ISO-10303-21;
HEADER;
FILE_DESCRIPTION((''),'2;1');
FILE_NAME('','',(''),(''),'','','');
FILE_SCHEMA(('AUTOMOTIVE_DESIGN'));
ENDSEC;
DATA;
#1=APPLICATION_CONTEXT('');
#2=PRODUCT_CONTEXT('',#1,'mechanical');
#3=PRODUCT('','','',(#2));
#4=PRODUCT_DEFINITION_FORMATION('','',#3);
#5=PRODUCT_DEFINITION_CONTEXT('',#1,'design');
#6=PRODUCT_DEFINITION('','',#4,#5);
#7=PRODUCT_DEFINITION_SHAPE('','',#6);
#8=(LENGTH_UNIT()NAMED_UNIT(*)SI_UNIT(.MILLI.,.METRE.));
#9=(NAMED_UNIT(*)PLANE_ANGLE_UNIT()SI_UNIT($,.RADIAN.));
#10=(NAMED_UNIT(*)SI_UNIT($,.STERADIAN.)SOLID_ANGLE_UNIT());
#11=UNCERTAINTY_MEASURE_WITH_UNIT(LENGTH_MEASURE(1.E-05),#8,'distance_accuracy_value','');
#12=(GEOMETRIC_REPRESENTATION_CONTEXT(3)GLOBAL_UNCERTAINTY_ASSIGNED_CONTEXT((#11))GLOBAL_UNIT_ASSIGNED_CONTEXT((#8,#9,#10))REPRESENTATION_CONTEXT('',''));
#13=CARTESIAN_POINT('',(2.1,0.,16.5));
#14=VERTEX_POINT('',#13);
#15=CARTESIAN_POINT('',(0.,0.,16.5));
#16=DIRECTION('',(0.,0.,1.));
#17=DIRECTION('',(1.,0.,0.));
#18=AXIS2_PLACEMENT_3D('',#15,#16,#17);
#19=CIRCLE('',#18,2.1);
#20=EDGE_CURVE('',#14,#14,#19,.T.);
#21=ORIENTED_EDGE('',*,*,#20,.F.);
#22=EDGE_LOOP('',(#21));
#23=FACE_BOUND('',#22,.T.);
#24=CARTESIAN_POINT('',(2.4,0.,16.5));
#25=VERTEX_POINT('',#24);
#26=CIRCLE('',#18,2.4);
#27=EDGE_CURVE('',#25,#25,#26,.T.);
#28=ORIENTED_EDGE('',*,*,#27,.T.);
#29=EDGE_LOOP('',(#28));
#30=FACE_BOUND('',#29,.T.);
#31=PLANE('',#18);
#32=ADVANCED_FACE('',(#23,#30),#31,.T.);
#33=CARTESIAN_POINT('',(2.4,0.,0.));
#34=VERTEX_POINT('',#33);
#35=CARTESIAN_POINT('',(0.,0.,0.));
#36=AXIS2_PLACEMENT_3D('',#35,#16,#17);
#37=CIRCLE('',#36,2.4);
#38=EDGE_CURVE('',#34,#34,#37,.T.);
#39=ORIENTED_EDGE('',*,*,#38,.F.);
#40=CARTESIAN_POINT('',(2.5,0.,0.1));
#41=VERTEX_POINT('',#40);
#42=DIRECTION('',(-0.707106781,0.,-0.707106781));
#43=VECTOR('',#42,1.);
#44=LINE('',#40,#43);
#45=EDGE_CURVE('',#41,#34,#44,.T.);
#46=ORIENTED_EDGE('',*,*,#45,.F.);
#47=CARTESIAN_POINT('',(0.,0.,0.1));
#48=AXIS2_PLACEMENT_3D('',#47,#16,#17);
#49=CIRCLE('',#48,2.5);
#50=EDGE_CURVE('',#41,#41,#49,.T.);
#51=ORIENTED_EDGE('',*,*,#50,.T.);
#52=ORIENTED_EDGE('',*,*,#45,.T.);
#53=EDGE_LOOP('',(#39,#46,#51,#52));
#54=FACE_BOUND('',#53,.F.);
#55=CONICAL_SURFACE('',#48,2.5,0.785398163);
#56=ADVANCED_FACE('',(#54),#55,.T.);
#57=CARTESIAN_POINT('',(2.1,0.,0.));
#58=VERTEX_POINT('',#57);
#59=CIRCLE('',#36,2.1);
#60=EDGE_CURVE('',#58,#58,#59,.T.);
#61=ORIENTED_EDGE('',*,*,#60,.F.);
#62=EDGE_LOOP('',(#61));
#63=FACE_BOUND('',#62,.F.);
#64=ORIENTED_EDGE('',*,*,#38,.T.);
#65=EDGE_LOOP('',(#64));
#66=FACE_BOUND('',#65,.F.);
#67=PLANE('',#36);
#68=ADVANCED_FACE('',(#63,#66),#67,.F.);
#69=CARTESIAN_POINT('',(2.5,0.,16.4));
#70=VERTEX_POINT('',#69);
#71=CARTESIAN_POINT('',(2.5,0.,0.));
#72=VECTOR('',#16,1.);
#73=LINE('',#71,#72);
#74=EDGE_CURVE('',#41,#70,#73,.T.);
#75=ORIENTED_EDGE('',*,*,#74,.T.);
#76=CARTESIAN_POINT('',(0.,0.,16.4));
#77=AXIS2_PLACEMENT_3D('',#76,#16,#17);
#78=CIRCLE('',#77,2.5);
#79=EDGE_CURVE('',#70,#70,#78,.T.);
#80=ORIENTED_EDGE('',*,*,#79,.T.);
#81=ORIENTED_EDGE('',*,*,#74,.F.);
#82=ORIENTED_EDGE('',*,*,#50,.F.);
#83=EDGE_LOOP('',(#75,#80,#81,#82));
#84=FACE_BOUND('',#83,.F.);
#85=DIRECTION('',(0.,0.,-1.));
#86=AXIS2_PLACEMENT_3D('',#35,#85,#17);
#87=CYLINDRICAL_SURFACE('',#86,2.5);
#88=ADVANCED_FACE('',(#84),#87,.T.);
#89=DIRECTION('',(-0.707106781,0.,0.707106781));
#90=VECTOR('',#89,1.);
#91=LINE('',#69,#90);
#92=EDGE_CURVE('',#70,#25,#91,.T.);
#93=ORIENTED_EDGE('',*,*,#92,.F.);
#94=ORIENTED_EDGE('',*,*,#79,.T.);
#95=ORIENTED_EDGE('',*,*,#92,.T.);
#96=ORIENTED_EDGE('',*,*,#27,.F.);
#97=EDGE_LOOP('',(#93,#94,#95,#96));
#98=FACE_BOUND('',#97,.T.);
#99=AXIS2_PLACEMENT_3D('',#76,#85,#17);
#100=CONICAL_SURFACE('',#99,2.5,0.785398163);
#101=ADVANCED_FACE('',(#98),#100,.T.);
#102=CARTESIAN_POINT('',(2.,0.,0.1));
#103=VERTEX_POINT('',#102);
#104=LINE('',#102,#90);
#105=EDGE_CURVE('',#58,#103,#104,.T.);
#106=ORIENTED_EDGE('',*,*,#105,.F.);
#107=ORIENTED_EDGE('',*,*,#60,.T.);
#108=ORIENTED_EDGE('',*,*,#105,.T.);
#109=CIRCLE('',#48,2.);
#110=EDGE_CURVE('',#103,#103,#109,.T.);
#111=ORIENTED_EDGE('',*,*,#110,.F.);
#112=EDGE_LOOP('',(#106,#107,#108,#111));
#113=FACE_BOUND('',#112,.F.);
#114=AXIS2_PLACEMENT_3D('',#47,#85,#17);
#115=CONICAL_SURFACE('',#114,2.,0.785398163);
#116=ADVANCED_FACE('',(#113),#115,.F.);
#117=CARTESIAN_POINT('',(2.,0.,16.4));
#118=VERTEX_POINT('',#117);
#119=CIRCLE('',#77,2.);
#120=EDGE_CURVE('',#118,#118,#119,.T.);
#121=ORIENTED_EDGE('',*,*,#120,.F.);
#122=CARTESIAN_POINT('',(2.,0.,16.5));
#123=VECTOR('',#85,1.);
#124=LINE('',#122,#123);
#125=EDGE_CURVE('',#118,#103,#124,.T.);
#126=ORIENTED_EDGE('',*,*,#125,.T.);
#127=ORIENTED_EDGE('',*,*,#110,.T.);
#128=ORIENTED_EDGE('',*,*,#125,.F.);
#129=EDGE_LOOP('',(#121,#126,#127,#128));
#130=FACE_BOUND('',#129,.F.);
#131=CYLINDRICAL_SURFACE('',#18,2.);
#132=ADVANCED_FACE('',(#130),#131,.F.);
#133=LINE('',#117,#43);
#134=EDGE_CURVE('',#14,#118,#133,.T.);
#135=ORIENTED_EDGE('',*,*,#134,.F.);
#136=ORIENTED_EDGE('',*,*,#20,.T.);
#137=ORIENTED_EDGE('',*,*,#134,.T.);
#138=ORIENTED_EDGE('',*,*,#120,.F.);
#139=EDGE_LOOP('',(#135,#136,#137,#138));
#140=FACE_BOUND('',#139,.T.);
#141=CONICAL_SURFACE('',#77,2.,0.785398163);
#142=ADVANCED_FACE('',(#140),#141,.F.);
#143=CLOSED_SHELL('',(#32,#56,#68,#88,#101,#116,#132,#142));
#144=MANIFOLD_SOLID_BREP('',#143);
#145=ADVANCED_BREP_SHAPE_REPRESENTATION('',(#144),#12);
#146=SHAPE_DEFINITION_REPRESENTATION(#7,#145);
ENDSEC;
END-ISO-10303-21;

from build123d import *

# Parameters (mm, degrees)
F0_R     = 2.5
F1_DEPTH = 16.5
F2_R     = 2
F3_DEPTH = 16.501
F4_SIZE  = 0.1


with BuildPart() as f1:
    # F0 (on Top) → F1 (new body)
    with BuildSketch(Plane.XY):
        Circle(F0_R)
    extrude(amount=F1_DEPTH)

    # F2 (on face) → F3 (cut, through all)
    with BuildSketch(Plane.XY.offset(16.5)):
        Circle(F2_R)
    extrude(amount=-F3_DEPTH, mode=Mode.SUBTRACT)

    # F4
    f4_edges = [f1.edges().sort_by_distance(p)[0] for p in [
        (-2, 0, 0),
        (-2.5, 0, 0),
        (-2.5, 0, 16.5),
        (-2, 0, 16.5),
    ]]
    chamfer(f4_edges, length=F4_SIZE)


solid = f1.part
